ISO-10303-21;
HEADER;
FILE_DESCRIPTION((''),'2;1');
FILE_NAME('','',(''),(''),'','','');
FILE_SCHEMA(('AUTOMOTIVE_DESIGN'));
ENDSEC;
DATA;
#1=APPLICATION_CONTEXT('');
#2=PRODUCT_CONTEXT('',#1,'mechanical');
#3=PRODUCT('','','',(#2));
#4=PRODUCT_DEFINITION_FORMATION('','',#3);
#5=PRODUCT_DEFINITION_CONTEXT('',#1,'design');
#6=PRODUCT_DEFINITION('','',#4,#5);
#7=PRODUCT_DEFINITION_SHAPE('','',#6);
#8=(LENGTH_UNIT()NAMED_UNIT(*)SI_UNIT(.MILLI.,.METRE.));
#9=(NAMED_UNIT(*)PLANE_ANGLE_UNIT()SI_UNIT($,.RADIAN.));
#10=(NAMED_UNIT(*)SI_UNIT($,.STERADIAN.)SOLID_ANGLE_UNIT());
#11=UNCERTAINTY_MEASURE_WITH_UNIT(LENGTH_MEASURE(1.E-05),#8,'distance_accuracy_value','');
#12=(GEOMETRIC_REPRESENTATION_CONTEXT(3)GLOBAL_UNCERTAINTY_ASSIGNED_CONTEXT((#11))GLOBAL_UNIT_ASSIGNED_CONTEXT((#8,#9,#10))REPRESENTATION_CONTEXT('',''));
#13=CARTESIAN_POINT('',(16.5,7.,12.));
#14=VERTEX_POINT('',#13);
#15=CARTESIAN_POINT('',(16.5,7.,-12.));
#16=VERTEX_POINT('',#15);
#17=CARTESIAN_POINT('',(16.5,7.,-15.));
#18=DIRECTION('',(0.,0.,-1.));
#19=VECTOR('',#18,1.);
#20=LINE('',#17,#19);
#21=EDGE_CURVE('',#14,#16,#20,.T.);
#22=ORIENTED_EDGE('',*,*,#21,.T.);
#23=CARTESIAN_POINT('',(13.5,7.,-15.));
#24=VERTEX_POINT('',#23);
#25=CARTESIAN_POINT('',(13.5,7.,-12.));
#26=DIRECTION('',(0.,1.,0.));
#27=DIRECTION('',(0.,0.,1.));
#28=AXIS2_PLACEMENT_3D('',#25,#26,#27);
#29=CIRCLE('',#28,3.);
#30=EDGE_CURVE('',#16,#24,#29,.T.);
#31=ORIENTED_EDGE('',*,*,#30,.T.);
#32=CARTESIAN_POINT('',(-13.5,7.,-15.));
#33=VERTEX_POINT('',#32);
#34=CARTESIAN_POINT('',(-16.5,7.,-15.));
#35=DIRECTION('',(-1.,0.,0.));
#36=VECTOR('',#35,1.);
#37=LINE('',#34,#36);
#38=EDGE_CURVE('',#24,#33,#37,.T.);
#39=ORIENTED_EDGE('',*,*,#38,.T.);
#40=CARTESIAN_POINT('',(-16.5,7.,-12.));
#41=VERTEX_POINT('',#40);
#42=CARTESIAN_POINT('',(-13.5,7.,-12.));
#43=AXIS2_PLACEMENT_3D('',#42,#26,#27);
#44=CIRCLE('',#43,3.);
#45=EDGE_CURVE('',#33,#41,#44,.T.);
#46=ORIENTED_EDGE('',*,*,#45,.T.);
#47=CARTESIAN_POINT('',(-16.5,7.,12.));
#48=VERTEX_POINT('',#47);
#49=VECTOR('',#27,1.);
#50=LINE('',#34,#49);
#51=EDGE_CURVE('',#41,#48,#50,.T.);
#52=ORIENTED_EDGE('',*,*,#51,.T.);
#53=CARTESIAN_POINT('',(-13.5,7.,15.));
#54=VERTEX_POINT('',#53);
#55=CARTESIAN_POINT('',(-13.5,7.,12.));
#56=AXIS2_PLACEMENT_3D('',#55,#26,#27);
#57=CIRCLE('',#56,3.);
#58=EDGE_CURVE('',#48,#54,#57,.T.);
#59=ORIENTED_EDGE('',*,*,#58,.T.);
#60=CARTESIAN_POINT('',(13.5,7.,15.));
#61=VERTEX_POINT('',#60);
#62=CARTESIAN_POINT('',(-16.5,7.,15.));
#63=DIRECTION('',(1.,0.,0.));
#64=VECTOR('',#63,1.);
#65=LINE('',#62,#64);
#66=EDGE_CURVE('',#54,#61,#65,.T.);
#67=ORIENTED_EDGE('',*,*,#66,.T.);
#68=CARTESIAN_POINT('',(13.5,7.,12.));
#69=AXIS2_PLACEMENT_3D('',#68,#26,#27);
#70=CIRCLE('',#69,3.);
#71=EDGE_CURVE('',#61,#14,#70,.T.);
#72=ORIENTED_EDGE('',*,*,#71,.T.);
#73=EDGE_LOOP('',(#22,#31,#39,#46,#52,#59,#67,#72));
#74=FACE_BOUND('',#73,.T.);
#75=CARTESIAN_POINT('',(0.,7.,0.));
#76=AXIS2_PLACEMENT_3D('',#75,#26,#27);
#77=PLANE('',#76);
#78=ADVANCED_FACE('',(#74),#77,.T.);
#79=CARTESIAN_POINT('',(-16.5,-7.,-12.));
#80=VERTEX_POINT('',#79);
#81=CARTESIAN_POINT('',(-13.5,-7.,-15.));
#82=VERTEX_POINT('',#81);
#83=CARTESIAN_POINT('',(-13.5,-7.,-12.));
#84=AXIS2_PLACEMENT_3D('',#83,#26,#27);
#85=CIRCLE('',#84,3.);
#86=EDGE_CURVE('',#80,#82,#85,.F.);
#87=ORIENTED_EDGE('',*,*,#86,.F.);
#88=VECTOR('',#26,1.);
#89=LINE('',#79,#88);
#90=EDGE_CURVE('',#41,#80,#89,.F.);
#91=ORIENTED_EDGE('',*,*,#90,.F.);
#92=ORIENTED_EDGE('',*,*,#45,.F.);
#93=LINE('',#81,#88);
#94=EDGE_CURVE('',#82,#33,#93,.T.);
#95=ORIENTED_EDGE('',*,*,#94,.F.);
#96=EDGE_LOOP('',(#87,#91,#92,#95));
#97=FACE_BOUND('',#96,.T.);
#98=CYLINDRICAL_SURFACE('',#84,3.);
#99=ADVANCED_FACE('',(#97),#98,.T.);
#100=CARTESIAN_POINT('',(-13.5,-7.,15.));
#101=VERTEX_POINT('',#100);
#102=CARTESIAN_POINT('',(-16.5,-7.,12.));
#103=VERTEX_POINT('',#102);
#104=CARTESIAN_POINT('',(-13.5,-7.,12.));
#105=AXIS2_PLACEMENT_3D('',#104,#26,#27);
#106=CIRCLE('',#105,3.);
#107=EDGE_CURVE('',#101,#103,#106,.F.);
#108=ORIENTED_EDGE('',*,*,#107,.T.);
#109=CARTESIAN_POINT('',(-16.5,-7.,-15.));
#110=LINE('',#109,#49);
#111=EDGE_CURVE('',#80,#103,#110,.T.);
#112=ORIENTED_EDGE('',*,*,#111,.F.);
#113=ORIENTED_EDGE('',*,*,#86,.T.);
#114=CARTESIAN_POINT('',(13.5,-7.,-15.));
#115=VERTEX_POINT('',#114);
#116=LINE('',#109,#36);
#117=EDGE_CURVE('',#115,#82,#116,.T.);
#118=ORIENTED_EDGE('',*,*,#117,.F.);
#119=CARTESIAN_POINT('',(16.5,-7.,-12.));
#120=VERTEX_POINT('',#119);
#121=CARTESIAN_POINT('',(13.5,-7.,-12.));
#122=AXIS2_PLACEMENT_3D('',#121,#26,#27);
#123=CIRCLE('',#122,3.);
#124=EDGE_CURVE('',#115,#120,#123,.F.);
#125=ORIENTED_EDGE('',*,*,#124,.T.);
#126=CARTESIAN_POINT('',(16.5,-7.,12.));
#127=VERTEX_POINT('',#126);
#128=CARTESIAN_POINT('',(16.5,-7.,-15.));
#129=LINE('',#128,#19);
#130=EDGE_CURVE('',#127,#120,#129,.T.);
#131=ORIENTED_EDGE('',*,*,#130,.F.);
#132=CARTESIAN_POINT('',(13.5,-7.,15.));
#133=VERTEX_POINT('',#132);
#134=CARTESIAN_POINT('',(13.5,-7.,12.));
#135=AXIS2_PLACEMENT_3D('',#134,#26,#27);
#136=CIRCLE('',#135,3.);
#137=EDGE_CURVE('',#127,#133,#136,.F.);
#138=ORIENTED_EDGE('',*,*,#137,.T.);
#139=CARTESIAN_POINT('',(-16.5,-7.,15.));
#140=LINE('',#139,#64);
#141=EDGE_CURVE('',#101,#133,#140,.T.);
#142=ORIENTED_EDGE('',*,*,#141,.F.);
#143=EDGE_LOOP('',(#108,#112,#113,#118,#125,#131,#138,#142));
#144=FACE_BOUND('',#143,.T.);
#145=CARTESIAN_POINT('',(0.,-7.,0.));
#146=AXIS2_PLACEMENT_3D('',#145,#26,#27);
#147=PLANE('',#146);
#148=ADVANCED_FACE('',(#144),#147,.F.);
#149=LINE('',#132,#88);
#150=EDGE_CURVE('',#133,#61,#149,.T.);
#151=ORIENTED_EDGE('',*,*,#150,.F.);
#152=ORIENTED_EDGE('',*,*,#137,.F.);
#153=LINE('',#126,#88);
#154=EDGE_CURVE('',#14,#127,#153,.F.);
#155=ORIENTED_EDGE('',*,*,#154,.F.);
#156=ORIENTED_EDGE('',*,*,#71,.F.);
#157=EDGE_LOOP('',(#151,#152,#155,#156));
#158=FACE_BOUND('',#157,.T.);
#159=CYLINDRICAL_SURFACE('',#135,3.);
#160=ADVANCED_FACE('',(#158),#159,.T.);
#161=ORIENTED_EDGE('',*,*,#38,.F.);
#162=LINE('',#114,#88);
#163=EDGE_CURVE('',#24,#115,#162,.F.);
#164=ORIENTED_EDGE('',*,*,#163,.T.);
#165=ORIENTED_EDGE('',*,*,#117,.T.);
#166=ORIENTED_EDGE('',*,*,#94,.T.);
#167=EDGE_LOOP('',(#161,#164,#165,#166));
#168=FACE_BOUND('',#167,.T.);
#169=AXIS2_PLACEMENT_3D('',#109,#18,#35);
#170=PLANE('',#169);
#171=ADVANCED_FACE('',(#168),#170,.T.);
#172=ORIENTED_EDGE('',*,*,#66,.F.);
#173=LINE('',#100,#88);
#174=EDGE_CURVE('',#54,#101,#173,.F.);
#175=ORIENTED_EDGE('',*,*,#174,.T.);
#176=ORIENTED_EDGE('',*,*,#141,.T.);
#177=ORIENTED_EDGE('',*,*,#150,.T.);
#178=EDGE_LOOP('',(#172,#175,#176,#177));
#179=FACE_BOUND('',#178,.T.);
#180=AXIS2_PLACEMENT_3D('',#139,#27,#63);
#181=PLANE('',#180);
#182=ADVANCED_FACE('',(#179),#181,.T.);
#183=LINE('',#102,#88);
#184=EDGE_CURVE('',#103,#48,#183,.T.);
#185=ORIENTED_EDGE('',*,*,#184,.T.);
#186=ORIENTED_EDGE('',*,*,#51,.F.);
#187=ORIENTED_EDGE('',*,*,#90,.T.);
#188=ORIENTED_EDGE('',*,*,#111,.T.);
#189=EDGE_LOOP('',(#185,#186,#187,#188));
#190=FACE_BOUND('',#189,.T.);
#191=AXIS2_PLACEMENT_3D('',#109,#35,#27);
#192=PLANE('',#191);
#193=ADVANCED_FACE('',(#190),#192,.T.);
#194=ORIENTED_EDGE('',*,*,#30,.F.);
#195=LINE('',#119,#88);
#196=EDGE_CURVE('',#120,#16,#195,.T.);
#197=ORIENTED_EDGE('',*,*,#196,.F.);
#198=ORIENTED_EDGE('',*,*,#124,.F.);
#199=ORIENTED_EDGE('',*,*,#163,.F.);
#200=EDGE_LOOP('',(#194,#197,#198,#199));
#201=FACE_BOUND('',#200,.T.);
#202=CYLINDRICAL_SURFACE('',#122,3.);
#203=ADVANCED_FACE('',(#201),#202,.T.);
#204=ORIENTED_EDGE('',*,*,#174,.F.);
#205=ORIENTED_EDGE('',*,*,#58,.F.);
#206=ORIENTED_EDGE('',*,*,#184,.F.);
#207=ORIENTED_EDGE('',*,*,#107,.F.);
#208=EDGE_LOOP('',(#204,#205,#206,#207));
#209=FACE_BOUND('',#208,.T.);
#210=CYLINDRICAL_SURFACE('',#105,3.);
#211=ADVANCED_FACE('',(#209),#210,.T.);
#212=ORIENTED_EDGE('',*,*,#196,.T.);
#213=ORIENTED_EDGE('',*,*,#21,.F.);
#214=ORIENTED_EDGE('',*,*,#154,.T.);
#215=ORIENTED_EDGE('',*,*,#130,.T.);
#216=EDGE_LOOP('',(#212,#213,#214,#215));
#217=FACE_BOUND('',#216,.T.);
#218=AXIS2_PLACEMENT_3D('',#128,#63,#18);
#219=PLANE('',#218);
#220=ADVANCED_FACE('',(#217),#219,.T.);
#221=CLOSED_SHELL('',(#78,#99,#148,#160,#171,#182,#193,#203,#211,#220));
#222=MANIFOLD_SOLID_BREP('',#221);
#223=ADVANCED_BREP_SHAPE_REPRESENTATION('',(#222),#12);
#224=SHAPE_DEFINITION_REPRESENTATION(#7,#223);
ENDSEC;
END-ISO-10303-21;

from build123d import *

# Parameters (mm, degrees)
BOSS_EXTRU_1_DEPTH      = 7
BOSS_EXTRU_1_DEPTH_BACK = 7
ESQUISSE1_W             = 33
ESQUISSE1_H             = 30
CONG_1_R                = 3


with BuildPart() as part:
    # Esquisse1 → Boss.-Extru.1 (new, two sides: drawn at the far end of the back side and taken through both)
    with BuildSketch(Plane(origin=(0, 0, 0), x_dir=(1, 0, 0), z_dir=(0, 1, 0)).offset(-BOSS_EXTRU_1_DEPTH_BACK)):
        Rectangle(ESQUISSE1_W, ESQUISSE1_H)
    extrude(amount=BOSS_EXTRU_1_DEPTH + BOSS_EXTRU_1_DEPTH_BACK)

    # Congé1
    cong_1_edges = [part.edges().sort_by_distance(p)[0] for p in [
        (-16.5, 0, -15),
        (16.5, 0, -15),
        (16.5, 0, 15),
        (-16.5, 0, 15),
    ]]
    fillet(cong_1_edges, radius=CONG_1_R)


solid = part.part
